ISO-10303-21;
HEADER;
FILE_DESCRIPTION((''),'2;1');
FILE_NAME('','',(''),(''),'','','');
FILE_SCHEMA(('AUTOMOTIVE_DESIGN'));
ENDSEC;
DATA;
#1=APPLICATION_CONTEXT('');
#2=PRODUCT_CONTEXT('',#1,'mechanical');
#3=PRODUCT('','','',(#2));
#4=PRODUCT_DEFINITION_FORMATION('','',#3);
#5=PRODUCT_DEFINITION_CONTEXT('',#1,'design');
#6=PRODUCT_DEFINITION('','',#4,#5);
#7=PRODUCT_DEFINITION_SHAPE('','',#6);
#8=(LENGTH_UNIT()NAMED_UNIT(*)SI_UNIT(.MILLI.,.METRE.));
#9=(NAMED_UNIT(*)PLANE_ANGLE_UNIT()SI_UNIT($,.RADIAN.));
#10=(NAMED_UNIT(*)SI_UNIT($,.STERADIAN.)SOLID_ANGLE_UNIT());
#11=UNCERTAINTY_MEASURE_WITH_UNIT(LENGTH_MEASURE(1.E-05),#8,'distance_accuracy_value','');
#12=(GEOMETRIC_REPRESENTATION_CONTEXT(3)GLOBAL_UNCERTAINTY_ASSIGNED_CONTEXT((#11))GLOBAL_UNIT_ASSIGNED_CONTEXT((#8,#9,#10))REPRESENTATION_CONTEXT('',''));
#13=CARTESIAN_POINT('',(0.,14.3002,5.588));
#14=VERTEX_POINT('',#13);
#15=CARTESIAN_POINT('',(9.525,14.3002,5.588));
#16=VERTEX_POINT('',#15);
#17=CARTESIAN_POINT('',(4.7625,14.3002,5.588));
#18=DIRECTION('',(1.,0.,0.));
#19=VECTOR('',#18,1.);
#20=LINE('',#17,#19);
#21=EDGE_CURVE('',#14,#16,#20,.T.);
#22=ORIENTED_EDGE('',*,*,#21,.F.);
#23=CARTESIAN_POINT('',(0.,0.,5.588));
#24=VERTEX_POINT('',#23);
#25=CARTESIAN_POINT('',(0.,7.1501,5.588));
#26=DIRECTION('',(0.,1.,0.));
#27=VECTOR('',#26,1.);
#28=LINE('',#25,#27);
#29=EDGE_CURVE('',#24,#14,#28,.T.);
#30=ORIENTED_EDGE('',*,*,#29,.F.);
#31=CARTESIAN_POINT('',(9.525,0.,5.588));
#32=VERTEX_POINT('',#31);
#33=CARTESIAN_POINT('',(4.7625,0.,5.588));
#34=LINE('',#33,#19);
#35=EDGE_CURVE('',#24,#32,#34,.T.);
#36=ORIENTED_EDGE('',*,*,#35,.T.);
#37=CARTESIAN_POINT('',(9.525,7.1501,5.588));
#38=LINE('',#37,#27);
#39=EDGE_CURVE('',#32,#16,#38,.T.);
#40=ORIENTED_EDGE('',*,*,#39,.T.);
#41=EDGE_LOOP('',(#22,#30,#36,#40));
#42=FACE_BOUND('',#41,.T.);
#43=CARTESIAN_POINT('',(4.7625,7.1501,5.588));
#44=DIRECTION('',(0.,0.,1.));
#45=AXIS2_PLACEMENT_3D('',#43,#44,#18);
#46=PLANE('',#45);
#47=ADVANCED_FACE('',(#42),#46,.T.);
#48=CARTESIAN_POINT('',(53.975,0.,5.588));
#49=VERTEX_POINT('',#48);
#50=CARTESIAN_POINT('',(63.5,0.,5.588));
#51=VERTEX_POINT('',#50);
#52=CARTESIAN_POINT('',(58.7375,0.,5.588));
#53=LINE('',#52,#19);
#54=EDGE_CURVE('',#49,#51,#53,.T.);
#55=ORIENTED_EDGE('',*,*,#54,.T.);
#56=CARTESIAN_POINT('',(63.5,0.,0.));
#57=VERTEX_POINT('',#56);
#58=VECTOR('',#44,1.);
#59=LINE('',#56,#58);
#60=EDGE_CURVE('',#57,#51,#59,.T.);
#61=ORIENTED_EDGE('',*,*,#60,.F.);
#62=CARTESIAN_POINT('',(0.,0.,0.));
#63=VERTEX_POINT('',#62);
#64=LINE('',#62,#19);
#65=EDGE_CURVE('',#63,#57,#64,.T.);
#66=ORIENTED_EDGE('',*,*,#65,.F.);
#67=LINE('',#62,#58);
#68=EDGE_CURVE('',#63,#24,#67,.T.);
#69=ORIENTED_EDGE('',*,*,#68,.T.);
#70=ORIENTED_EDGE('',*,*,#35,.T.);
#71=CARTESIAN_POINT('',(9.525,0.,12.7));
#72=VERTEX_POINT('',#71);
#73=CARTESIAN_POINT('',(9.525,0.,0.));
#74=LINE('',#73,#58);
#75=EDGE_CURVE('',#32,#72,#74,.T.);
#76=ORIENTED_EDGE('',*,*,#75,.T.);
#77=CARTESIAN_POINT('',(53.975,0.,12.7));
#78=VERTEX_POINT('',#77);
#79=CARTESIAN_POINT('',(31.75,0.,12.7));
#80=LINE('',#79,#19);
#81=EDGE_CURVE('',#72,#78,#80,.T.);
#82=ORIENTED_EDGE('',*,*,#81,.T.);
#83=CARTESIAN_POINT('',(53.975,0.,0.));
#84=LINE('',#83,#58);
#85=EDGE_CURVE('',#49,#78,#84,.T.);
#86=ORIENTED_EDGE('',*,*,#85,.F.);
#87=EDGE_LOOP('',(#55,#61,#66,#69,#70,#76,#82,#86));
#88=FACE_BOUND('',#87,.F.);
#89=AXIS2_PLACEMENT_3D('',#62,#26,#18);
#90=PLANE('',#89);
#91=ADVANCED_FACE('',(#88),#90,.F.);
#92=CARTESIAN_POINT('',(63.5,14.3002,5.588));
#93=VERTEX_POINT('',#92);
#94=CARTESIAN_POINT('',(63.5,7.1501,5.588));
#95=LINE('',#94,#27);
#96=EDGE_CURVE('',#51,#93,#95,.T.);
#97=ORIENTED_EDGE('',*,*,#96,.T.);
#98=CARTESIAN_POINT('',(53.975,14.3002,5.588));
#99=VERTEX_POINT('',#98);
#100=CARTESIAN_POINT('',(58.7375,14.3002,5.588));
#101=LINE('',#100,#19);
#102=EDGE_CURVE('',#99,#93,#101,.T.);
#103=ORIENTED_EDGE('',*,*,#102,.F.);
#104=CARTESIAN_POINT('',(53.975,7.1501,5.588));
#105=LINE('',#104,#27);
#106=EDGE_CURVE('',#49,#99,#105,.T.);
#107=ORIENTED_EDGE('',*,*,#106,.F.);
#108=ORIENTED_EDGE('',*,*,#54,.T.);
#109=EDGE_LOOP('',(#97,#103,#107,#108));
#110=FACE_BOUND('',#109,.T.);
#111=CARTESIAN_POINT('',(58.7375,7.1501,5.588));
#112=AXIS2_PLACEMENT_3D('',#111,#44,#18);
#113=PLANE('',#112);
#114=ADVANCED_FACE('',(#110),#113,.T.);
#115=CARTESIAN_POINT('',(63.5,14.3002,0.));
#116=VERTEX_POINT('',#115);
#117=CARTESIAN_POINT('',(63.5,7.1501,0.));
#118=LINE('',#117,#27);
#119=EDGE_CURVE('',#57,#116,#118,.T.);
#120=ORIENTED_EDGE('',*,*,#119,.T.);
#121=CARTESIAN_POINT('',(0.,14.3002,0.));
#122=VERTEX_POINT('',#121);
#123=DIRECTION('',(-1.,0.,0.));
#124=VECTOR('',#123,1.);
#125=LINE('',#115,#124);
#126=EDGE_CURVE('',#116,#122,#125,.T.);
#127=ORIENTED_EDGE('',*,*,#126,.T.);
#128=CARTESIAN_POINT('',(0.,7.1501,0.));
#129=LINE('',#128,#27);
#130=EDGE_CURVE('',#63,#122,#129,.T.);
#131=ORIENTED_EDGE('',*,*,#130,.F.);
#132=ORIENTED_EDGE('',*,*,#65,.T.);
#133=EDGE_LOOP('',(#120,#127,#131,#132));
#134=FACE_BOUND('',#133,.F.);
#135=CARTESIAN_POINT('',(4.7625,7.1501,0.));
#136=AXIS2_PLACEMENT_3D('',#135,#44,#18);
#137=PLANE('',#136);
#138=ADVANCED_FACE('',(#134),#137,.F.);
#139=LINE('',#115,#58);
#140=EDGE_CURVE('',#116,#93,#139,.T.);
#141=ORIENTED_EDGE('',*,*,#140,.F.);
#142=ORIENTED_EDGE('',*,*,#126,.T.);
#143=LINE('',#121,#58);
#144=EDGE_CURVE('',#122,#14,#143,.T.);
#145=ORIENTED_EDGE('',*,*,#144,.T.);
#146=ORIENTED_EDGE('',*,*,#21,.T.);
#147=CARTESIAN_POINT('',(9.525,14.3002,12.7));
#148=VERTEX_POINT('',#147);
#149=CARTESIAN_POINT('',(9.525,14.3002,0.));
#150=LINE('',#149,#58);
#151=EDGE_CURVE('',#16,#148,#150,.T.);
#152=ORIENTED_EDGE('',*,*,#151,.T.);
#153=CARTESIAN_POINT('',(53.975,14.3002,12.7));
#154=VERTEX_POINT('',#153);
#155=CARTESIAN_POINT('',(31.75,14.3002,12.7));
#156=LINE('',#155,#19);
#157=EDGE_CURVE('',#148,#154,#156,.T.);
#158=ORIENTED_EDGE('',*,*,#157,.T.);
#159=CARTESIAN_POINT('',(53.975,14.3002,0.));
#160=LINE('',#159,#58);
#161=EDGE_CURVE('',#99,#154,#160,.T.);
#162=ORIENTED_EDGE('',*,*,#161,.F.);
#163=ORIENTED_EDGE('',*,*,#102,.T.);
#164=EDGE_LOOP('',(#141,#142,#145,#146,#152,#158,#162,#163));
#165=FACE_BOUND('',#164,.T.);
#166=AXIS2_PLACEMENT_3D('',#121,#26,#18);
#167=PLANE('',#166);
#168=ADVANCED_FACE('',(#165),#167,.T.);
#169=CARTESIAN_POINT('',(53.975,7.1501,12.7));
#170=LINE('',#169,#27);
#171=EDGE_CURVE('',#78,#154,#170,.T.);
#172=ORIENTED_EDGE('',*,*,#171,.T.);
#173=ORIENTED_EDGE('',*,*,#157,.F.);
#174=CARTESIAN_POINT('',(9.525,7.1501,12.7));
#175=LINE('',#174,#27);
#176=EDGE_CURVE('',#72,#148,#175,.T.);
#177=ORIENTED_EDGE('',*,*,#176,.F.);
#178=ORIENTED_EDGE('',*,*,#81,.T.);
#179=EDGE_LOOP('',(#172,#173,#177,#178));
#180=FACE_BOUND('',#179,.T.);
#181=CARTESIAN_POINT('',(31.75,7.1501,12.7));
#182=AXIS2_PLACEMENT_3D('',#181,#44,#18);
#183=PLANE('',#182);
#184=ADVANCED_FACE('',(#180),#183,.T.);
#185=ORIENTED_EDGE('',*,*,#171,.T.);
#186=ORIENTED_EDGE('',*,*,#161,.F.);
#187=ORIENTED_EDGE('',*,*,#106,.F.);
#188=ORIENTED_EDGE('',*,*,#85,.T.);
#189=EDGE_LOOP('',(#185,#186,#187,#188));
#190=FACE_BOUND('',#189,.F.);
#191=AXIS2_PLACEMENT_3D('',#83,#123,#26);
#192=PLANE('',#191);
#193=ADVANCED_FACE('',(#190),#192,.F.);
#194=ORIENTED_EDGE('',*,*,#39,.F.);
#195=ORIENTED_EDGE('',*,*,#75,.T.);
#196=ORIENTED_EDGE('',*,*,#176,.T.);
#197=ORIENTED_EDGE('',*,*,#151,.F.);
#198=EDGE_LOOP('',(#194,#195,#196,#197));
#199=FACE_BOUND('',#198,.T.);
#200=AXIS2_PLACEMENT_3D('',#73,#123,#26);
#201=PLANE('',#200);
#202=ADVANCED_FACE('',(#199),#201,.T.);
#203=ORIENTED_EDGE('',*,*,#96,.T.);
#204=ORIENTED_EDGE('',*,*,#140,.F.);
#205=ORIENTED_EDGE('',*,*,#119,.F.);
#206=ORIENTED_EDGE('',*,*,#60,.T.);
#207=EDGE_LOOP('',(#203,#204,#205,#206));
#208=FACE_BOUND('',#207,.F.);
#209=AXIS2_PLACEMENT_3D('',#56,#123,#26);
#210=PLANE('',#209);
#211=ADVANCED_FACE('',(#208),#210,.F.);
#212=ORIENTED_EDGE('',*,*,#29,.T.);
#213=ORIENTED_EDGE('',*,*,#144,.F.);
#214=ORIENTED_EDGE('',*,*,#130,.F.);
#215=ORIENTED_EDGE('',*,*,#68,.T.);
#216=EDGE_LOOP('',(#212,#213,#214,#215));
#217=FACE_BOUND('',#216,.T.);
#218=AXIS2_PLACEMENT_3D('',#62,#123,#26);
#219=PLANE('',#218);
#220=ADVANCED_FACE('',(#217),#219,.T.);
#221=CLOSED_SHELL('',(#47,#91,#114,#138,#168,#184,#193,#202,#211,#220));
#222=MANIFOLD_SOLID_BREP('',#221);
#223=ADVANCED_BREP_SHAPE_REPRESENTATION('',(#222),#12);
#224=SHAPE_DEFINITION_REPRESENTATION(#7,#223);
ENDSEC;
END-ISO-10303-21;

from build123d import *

# Parameters (mm, degrees)
F0_W     = 44.45
F0_H     = 14.3002
F1_DEPTH = 12.7
F0_W_2   = 9.525
F2_DEPTH = 5.588


with BuildPart() as f1:
    # F0 (on Top) → F1 (new body)
    with BuildSketch(Plane.XY):
        with Locations((31.75, 7.1501)):
            Rectangle(F0_W, F0_H)
    extrude(amount=F1_DEPTH)

    # F0 (on Top) → F2 (join)
    with BuildSketch(Plane.XY):
        with Locations((4.7625, 7.1501)):
            Rectangle(F0_W_2, F0_H)
        with Locations((58.7375, 7.1501)):
            Rectangle(F0_W_2, F0_H)
    extrude(amount=F2_DEPTH)


solid = f1.part
